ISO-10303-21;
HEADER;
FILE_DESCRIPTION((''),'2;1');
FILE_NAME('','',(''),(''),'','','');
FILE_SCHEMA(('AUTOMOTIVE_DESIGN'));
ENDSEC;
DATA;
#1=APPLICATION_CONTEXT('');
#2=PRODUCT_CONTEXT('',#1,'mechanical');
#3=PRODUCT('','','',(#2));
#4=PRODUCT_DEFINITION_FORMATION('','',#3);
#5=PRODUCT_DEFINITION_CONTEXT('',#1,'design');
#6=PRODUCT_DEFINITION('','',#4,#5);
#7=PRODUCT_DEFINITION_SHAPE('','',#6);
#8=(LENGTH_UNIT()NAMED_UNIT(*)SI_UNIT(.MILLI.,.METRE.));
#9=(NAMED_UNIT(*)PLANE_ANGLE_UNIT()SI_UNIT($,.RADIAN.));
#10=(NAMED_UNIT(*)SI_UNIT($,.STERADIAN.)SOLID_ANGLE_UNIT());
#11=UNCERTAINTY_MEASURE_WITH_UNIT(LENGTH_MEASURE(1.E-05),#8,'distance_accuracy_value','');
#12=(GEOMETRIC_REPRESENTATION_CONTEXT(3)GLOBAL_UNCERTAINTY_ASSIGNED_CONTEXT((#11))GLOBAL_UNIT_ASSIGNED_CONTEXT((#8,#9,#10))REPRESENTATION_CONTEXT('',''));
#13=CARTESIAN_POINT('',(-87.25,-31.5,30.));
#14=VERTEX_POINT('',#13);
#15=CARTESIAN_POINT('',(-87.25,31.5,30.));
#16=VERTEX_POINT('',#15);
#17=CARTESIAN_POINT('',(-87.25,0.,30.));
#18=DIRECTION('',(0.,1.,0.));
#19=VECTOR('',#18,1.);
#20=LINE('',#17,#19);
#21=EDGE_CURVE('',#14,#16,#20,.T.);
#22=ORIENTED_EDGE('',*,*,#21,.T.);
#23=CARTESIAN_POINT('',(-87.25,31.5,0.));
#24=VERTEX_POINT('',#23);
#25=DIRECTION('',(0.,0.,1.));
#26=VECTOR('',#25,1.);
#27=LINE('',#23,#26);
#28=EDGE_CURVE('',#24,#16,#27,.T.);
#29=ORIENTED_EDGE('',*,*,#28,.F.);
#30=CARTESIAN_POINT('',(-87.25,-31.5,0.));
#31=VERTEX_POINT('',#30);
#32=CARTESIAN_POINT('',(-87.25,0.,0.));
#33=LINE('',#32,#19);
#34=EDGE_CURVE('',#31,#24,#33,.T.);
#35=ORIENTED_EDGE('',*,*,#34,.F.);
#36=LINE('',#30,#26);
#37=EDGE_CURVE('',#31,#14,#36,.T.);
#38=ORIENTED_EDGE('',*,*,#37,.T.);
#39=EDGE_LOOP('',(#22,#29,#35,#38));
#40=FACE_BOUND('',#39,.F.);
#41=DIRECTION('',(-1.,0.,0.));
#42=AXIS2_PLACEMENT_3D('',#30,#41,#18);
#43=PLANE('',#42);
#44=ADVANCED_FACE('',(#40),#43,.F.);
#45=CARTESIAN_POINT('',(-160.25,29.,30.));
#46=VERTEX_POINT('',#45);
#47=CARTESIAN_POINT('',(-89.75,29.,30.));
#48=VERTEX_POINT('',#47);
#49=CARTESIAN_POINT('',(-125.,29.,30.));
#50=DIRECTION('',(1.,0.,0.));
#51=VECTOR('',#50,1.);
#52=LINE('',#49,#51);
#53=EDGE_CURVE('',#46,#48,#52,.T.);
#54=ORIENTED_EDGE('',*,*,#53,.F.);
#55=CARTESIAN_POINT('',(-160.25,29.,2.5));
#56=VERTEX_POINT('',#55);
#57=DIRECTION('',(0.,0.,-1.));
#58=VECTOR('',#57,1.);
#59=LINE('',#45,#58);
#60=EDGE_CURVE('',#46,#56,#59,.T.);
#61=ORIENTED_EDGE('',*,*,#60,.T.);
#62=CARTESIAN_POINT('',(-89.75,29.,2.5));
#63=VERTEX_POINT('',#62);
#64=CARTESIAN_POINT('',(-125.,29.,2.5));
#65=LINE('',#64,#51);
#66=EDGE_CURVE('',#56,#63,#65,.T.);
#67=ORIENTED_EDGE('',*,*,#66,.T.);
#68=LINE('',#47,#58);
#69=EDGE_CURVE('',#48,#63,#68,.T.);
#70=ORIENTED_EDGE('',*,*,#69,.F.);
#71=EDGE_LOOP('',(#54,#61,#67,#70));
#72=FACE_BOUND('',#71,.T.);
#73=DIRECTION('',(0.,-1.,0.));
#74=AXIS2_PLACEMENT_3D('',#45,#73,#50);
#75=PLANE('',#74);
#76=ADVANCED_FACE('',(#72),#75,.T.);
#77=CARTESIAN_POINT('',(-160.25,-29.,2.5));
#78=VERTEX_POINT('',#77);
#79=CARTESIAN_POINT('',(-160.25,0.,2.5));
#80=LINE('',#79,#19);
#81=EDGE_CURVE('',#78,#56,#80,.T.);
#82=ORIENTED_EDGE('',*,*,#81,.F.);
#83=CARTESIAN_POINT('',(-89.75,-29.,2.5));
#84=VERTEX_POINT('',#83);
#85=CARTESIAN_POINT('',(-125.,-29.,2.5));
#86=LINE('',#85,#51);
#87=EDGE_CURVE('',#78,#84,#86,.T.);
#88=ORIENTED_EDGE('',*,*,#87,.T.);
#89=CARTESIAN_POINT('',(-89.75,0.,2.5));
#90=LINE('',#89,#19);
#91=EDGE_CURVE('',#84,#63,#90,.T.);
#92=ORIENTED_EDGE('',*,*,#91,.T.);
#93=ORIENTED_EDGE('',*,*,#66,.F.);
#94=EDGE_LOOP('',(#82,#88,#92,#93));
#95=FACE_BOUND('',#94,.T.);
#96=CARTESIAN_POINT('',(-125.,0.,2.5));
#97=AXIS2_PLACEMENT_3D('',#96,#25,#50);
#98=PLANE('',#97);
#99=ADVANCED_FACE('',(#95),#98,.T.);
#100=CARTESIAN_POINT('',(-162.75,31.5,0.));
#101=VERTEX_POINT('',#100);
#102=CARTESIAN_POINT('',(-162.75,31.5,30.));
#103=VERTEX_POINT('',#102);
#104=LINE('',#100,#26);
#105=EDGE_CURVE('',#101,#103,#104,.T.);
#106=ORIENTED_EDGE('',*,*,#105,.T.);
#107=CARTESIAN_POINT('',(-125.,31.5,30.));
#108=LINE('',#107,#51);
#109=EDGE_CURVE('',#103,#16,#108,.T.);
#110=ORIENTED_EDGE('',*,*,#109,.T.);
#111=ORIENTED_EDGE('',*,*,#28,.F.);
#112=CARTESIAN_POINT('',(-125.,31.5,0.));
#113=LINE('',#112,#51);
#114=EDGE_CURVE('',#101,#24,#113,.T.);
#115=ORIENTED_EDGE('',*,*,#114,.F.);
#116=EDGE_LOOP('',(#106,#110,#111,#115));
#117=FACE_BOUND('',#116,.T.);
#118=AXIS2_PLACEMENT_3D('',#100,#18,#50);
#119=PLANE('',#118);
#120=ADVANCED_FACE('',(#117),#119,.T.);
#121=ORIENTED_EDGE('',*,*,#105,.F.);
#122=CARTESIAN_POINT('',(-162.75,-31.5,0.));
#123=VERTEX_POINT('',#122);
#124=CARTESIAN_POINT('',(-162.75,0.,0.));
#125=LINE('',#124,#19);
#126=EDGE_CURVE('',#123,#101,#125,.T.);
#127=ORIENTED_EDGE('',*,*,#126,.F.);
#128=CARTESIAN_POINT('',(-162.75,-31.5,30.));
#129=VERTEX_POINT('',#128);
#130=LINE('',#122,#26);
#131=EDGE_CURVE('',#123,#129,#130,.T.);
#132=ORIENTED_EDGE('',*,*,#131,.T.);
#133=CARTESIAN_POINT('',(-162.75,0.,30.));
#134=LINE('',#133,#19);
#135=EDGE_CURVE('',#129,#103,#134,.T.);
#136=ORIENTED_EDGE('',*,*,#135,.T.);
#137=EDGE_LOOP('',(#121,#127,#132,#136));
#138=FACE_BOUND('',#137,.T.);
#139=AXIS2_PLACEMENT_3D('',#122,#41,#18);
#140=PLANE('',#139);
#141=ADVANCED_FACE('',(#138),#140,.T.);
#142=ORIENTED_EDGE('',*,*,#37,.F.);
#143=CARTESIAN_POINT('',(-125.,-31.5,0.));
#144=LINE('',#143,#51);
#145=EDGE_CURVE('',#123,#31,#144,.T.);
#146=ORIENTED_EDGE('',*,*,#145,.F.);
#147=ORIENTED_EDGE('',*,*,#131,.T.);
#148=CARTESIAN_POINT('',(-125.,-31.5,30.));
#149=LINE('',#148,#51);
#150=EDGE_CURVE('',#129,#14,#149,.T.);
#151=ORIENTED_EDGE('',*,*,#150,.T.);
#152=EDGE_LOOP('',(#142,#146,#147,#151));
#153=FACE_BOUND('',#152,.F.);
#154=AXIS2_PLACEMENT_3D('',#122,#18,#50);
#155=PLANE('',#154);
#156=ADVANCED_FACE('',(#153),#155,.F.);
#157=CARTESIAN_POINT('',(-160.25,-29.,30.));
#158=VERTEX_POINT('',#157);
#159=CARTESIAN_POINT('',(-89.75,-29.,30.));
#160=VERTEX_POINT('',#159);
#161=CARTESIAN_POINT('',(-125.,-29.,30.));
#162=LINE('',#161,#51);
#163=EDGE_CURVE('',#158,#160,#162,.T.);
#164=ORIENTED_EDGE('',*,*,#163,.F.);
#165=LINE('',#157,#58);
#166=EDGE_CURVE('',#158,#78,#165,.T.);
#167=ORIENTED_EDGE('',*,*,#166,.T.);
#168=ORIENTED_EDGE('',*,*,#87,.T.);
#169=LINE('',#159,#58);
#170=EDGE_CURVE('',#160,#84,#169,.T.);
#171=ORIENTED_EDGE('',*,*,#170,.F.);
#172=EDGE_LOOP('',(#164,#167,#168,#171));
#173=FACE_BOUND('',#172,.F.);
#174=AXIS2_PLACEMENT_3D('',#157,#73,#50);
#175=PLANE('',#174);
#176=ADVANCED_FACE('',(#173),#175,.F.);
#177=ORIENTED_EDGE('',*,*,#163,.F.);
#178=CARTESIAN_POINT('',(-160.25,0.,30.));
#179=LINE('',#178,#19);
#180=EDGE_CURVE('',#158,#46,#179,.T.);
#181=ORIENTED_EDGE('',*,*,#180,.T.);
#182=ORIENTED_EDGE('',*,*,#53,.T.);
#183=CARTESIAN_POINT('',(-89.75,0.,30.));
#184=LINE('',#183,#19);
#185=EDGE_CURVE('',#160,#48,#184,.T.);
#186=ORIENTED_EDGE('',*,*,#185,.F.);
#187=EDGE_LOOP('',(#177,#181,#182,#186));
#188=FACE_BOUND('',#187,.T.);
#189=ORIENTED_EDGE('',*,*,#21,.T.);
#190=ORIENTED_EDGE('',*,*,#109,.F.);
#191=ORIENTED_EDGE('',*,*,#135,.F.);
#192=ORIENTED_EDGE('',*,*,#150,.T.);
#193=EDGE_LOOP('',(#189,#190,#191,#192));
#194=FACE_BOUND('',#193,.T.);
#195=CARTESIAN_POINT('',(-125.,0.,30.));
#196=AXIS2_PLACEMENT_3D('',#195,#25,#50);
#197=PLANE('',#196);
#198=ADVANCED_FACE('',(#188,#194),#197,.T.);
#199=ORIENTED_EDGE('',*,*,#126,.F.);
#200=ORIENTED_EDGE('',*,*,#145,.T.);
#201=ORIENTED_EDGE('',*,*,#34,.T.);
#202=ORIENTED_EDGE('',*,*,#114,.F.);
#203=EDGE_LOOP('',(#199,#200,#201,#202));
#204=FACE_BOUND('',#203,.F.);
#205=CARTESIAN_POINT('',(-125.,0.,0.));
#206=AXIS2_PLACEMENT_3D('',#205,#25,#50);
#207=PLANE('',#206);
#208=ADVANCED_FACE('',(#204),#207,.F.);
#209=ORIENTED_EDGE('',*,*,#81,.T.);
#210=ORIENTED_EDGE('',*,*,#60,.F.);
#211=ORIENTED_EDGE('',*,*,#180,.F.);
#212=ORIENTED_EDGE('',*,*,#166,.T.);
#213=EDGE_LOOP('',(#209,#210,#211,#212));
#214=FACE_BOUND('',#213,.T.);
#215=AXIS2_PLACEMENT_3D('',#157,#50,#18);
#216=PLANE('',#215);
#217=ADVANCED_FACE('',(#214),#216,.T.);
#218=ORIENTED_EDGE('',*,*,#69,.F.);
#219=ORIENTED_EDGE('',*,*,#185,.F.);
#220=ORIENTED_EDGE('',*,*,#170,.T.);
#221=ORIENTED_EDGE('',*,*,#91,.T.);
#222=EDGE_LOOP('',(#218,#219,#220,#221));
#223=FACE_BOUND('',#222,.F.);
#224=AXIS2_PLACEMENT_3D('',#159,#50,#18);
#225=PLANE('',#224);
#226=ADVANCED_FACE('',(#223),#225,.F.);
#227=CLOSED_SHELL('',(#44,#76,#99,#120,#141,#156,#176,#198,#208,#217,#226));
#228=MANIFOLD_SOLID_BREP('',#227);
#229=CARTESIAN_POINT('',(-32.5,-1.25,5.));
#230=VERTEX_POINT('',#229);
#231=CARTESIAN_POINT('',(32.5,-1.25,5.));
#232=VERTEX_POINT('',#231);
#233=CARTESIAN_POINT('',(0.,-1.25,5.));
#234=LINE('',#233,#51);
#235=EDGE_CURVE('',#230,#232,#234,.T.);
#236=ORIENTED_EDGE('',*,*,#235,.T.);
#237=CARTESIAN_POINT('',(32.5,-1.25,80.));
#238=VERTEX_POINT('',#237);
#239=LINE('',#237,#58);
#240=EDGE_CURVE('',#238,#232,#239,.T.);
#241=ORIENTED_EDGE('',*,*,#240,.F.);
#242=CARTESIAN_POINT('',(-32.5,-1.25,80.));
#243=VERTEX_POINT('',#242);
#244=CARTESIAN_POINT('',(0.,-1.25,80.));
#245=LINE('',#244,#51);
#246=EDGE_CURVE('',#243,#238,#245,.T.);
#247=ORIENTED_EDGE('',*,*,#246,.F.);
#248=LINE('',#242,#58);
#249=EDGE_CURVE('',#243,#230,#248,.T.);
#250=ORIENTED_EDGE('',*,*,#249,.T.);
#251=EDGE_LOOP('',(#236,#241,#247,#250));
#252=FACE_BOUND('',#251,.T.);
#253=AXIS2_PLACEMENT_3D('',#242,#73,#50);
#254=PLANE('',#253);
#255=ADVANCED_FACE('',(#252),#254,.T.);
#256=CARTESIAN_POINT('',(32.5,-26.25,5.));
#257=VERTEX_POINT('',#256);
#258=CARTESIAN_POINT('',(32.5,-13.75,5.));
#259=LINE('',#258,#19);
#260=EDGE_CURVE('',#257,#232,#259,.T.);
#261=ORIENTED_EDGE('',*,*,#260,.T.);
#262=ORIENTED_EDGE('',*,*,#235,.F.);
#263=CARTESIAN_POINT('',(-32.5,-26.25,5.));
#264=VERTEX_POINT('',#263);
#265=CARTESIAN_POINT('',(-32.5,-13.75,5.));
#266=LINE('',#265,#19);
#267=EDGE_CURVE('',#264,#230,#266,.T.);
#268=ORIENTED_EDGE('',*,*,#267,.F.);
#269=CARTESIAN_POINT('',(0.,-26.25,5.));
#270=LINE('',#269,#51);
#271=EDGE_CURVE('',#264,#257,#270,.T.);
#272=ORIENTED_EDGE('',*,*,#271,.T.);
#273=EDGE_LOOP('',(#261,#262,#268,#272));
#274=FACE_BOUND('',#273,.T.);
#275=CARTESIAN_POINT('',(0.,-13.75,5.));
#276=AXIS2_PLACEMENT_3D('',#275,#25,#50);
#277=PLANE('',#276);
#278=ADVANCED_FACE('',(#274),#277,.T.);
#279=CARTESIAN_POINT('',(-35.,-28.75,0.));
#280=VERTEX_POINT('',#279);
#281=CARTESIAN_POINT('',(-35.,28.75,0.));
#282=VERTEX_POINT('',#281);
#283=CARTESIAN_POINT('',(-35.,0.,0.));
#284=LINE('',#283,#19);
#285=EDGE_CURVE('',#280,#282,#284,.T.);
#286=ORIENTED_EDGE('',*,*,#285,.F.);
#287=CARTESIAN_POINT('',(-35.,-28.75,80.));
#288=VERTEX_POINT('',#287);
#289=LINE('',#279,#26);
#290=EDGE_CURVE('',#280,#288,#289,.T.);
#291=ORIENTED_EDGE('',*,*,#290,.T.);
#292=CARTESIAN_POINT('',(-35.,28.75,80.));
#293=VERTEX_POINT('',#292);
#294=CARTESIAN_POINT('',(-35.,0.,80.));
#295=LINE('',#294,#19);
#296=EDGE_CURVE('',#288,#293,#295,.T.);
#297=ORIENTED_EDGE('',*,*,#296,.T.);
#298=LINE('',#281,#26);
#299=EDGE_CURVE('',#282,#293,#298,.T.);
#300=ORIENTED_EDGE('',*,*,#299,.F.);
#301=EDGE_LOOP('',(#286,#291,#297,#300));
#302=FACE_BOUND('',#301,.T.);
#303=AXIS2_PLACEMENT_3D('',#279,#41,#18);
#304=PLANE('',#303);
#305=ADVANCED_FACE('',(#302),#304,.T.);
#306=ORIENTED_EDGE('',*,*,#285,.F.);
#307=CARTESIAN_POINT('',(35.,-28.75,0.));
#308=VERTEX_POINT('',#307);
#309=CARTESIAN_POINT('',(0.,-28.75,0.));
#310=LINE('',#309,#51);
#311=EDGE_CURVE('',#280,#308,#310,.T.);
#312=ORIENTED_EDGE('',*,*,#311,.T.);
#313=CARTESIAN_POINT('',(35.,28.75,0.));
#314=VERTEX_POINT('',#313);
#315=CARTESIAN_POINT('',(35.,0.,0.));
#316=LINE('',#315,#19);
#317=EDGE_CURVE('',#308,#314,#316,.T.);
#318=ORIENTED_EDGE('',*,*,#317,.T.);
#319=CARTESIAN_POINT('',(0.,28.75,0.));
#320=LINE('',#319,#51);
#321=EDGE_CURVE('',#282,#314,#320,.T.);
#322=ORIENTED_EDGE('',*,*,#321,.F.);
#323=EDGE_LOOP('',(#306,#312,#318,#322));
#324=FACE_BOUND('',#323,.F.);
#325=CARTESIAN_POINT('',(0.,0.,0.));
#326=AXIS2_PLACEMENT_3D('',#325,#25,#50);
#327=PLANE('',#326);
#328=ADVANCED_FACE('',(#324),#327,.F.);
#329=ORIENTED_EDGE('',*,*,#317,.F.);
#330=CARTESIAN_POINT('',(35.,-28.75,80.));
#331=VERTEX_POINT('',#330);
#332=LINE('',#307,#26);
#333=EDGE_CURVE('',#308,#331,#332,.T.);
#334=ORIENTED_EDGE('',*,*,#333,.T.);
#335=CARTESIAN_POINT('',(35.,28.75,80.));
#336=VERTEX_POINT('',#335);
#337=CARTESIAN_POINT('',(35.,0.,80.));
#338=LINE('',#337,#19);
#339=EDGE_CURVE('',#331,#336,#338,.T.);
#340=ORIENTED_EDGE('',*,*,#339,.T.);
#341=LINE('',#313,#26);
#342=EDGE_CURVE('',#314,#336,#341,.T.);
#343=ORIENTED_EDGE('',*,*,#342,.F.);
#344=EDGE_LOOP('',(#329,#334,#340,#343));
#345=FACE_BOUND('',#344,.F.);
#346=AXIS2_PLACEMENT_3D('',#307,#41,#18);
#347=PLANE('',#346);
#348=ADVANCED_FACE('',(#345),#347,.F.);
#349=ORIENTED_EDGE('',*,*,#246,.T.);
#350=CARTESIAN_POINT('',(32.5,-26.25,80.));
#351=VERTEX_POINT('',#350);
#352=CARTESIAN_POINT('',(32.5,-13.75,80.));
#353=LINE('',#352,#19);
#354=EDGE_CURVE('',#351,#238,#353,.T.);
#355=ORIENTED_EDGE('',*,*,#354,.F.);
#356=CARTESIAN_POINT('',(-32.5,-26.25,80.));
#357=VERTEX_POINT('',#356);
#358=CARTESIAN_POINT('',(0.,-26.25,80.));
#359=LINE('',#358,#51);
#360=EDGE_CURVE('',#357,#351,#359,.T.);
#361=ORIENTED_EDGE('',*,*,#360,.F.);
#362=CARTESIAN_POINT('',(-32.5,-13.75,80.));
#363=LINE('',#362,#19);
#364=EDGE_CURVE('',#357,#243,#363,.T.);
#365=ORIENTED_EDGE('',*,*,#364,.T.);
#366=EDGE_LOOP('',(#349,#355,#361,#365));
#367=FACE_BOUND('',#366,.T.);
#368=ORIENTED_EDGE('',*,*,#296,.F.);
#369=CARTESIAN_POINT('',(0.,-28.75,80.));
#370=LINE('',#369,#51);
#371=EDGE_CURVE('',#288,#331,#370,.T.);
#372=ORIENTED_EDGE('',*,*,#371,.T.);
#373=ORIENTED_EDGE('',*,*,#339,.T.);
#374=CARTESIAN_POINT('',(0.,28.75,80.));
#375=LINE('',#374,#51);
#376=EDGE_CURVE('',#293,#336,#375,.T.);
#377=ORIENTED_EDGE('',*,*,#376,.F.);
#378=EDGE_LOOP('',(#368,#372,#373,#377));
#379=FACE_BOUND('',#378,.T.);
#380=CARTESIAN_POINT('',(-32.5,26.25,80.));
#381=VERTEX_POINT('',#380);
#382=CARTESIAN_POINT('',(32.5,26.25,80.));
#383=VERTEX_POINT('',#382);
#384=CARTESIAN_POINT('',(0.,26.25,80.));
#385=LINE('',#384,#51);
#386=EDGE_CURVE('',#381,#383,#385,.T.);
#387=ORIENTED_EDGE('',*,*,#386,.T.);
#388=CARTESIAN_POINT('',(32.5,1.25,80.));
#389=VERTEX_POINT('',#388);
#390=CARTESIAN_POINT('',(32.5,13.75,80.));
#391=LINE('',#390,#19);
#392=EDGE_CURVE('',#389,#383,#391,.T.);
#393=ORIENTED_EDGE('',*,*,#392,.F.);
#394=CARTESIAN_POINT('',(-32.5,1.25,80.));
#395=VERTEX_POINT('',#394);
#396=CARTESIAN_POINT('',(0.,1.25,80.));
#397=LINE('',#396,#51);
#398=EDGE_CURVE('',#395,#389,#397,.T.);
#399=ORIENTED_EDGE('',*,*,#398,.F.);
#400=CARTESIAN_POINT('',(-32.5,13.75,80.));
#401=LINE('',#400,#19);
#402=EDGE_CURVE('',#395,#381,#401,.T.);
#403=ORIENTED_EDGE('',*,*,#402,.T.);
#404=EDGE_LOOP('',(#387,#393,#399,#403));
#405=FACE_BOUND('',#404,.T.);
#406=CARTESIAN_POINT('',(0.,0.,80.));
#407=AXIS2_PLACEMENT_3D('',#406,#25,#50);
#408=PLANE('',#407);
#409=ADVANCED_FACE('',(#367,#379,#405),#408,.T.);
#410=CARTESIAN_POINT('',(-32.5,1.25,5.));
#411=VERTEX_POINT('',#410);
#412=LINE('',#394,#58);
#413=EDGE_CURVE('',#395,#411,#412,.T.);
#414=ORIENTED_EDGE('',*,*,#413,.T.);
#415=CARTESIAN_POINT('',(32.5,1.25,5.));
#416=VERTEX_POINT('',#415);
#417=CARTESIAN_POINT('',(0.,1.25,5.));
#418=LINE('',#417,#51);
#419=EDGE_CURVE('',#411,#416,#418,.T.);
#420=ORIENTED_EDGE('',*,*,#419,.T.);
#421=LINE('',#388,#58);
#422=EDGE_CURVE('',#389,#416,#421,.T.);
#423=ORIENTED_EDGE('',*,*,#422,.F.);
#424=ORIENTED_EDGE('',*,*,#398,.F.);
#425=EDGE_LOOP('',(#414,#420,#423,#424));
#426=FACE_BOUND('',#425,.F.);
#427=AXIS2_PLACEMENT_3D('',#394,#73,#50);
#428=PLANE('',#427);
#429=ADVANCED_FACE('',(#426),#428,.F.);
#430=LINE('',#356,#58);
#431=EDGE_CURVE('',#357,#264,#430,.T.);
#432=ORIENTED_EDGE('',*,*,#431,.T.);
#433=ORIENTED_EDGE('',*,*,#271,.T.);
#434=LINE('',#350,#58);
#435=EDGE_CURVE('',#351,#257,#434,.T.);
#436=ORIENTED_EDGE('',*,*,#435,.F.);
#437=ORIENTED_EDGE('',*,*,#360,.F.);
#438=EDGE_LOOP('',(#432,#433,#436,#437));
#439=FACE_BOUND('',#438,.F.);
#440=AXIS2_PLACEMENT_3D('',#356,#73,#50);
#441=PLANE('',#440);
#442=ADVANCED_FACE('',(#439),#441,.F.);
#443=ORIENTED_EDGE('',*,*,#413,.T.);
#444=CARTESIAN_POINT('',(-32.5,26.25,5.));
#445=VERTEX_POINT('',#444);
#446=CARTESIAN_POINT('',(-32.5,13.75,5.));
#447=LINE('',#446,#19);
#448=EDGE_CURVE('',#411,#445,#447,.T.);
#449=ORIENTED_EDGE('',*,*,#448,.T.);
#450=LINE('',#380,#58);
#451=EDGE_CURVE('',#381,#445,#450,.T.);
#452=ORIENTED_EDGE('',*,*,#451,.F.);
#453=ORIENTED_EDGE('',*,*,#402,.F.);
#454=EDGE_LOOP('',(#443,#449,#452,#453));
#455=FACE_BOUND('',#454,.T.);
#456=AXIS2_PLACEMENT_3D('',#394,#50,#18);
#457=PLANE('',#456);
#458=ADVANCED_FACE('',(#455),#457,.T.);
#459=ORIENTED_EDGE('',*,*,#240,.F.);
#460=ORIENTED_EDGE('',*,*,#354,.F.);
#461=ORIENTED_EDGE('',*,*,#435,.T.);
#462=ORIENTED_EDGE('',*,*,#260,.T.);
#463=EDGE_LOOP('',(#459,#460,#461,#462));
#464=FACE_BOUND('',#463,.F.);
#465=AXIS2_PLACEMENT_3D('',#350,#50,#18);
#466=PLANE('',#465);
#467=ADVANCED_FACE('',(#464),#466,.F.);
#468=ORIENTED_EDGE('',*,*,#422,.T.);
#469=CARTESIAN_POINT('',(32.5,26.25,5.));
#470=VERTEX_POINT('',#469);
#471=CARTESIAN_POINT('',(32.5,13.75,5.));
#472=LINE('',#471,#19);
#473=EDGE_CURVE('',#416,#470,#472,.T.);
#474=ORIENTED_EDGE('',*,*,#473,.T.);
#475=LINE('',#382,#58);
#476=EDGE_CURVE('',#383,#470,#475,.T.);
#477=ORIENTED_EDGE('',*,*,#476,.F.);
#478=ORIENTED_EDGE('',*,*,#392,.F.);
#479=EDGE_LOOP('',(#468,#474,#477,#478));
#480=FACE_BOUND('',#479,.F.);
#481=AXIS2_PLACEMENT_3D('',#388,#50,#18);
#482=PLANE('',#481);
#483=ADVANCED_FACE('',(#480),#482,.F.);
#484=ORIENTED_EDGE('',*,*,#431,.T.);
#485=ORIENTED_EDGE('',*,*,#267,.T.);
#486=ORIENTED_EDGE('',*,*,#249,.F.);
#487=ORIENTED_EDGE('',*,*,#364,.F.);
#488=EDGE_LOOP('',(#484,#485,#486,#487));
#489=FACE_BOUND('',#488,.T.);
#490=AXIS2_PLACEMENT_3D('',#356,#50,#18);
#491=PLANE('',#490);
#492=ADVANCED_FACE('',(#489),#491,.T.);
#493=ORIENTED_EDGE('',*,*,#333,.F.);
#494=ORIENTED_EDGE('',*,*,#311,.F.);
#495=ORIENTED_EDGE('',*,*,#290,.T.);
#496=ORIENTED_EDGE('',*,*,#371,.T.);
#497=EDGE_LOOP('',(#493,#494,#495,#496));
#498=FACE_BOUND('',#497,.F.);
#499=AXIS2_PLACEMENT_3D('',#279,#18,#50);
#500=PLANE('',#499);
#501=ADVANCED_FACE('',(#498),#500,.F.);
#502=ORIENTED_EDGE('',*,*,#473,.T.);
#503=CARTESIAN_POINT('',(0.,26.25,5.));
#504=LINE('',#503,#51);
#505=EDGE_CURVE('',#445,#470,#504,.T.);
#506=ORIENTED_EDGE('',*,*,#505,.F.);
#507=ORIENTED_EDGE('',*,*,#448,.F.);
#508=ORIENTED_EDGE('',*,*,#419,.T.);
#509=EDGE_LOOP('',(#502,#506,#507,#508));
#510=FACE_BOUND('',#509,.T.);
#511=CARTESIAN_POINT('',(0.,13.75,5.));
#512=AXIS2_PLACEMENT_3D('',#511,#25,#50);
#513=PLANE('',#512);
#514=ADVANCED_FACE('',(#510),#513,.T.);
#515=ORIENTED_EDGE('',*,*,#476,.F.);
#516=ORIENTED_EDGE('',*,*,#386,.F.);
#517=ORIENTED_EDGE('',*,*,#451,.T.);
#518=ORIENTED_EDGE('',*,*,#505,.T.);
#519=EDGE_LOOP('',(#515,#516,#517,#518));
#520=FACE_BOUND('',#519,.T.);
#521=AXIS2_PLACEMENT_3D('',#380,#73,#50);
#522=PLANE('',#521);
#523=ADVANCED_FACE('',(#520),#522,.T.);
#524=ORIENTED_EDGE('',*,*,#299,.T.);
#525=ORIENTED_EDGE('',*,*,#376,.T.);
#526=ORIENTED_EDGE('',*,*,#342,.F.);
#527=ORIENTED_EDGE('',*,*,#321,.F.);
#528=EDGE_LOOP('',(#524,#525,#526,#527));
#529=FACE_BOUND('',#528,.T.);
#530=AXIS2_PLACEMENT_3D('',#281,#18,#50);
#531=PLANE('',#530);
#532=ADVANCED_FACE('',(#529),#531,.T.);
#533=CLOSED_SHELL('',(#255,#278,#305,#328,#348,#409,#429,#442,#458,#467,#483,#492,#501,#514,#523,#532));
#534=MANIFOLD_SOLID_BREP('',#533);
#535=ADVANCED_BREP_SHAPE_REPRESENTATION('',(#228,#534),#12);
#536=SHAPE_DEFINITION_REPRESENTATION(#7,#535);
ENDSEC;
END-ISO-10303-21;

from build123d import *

# Parameters (mm, degrees)
SKETCH_W        = 70
SKETCH_H        = 57.5
PAD_DEPTH       = 80
SKETCH001_W     = 65
SKETCH001_H     = 25
POCKET_DEPTH    = 75
SKETCH002_W     = 75.5
SKETCH002_H     = 63
PAD001_DEPTH    = 30
SKETCH003_W     = 70.5
SKETCH003_H     = 58
POCKET001_DEPTH = 27.5


with BuildPart() as box:
    # Sketch → Pad (new body)
    with BuildSketch(Plane.XY):
        Rectangle(SKETCH_W, SKETCH_H)
    extrude(amount=PAD_DEPTH)

    # Sketch001 (on Face6 of Pad) → Pocket (cut)
    with BuildSketch(Plane.XY.offset(80)):
        with Locations((0, 13.75)):
            Rectangle(SKETCH001_W, SKETCH001_H)
        with Locations((0, -13.75)):
            Rectangle(SKETCH001_W, SKETCH001_H)
    extrude(amount=-POCKET_DEPTH, mode=Mode.SUBTRACT)


with BuildPart() as lid:
    # Sketch002 → Pad001 (new body)
    with BuildSketch(Plane.XY):
        with Locations((-125, 0)):
            Rectangle(SKETCH002_W, SKETCH002_H)
    extrude(amount=PAD001_DEPTH)

    # Sketch003 (on Face6 of Pad001) → Pocket001 (cut)
    with BuildSketch(Plane.XY.offset(30)):
        with Locations((-125, 0)):
            Rectangle(SKETCH003_W, SKETCH003_H)
    extrude(amount=-POCKET001_DEPTH, mode=Mode.SUBTRACT)


solid = Compound([box.part, lid.part])
